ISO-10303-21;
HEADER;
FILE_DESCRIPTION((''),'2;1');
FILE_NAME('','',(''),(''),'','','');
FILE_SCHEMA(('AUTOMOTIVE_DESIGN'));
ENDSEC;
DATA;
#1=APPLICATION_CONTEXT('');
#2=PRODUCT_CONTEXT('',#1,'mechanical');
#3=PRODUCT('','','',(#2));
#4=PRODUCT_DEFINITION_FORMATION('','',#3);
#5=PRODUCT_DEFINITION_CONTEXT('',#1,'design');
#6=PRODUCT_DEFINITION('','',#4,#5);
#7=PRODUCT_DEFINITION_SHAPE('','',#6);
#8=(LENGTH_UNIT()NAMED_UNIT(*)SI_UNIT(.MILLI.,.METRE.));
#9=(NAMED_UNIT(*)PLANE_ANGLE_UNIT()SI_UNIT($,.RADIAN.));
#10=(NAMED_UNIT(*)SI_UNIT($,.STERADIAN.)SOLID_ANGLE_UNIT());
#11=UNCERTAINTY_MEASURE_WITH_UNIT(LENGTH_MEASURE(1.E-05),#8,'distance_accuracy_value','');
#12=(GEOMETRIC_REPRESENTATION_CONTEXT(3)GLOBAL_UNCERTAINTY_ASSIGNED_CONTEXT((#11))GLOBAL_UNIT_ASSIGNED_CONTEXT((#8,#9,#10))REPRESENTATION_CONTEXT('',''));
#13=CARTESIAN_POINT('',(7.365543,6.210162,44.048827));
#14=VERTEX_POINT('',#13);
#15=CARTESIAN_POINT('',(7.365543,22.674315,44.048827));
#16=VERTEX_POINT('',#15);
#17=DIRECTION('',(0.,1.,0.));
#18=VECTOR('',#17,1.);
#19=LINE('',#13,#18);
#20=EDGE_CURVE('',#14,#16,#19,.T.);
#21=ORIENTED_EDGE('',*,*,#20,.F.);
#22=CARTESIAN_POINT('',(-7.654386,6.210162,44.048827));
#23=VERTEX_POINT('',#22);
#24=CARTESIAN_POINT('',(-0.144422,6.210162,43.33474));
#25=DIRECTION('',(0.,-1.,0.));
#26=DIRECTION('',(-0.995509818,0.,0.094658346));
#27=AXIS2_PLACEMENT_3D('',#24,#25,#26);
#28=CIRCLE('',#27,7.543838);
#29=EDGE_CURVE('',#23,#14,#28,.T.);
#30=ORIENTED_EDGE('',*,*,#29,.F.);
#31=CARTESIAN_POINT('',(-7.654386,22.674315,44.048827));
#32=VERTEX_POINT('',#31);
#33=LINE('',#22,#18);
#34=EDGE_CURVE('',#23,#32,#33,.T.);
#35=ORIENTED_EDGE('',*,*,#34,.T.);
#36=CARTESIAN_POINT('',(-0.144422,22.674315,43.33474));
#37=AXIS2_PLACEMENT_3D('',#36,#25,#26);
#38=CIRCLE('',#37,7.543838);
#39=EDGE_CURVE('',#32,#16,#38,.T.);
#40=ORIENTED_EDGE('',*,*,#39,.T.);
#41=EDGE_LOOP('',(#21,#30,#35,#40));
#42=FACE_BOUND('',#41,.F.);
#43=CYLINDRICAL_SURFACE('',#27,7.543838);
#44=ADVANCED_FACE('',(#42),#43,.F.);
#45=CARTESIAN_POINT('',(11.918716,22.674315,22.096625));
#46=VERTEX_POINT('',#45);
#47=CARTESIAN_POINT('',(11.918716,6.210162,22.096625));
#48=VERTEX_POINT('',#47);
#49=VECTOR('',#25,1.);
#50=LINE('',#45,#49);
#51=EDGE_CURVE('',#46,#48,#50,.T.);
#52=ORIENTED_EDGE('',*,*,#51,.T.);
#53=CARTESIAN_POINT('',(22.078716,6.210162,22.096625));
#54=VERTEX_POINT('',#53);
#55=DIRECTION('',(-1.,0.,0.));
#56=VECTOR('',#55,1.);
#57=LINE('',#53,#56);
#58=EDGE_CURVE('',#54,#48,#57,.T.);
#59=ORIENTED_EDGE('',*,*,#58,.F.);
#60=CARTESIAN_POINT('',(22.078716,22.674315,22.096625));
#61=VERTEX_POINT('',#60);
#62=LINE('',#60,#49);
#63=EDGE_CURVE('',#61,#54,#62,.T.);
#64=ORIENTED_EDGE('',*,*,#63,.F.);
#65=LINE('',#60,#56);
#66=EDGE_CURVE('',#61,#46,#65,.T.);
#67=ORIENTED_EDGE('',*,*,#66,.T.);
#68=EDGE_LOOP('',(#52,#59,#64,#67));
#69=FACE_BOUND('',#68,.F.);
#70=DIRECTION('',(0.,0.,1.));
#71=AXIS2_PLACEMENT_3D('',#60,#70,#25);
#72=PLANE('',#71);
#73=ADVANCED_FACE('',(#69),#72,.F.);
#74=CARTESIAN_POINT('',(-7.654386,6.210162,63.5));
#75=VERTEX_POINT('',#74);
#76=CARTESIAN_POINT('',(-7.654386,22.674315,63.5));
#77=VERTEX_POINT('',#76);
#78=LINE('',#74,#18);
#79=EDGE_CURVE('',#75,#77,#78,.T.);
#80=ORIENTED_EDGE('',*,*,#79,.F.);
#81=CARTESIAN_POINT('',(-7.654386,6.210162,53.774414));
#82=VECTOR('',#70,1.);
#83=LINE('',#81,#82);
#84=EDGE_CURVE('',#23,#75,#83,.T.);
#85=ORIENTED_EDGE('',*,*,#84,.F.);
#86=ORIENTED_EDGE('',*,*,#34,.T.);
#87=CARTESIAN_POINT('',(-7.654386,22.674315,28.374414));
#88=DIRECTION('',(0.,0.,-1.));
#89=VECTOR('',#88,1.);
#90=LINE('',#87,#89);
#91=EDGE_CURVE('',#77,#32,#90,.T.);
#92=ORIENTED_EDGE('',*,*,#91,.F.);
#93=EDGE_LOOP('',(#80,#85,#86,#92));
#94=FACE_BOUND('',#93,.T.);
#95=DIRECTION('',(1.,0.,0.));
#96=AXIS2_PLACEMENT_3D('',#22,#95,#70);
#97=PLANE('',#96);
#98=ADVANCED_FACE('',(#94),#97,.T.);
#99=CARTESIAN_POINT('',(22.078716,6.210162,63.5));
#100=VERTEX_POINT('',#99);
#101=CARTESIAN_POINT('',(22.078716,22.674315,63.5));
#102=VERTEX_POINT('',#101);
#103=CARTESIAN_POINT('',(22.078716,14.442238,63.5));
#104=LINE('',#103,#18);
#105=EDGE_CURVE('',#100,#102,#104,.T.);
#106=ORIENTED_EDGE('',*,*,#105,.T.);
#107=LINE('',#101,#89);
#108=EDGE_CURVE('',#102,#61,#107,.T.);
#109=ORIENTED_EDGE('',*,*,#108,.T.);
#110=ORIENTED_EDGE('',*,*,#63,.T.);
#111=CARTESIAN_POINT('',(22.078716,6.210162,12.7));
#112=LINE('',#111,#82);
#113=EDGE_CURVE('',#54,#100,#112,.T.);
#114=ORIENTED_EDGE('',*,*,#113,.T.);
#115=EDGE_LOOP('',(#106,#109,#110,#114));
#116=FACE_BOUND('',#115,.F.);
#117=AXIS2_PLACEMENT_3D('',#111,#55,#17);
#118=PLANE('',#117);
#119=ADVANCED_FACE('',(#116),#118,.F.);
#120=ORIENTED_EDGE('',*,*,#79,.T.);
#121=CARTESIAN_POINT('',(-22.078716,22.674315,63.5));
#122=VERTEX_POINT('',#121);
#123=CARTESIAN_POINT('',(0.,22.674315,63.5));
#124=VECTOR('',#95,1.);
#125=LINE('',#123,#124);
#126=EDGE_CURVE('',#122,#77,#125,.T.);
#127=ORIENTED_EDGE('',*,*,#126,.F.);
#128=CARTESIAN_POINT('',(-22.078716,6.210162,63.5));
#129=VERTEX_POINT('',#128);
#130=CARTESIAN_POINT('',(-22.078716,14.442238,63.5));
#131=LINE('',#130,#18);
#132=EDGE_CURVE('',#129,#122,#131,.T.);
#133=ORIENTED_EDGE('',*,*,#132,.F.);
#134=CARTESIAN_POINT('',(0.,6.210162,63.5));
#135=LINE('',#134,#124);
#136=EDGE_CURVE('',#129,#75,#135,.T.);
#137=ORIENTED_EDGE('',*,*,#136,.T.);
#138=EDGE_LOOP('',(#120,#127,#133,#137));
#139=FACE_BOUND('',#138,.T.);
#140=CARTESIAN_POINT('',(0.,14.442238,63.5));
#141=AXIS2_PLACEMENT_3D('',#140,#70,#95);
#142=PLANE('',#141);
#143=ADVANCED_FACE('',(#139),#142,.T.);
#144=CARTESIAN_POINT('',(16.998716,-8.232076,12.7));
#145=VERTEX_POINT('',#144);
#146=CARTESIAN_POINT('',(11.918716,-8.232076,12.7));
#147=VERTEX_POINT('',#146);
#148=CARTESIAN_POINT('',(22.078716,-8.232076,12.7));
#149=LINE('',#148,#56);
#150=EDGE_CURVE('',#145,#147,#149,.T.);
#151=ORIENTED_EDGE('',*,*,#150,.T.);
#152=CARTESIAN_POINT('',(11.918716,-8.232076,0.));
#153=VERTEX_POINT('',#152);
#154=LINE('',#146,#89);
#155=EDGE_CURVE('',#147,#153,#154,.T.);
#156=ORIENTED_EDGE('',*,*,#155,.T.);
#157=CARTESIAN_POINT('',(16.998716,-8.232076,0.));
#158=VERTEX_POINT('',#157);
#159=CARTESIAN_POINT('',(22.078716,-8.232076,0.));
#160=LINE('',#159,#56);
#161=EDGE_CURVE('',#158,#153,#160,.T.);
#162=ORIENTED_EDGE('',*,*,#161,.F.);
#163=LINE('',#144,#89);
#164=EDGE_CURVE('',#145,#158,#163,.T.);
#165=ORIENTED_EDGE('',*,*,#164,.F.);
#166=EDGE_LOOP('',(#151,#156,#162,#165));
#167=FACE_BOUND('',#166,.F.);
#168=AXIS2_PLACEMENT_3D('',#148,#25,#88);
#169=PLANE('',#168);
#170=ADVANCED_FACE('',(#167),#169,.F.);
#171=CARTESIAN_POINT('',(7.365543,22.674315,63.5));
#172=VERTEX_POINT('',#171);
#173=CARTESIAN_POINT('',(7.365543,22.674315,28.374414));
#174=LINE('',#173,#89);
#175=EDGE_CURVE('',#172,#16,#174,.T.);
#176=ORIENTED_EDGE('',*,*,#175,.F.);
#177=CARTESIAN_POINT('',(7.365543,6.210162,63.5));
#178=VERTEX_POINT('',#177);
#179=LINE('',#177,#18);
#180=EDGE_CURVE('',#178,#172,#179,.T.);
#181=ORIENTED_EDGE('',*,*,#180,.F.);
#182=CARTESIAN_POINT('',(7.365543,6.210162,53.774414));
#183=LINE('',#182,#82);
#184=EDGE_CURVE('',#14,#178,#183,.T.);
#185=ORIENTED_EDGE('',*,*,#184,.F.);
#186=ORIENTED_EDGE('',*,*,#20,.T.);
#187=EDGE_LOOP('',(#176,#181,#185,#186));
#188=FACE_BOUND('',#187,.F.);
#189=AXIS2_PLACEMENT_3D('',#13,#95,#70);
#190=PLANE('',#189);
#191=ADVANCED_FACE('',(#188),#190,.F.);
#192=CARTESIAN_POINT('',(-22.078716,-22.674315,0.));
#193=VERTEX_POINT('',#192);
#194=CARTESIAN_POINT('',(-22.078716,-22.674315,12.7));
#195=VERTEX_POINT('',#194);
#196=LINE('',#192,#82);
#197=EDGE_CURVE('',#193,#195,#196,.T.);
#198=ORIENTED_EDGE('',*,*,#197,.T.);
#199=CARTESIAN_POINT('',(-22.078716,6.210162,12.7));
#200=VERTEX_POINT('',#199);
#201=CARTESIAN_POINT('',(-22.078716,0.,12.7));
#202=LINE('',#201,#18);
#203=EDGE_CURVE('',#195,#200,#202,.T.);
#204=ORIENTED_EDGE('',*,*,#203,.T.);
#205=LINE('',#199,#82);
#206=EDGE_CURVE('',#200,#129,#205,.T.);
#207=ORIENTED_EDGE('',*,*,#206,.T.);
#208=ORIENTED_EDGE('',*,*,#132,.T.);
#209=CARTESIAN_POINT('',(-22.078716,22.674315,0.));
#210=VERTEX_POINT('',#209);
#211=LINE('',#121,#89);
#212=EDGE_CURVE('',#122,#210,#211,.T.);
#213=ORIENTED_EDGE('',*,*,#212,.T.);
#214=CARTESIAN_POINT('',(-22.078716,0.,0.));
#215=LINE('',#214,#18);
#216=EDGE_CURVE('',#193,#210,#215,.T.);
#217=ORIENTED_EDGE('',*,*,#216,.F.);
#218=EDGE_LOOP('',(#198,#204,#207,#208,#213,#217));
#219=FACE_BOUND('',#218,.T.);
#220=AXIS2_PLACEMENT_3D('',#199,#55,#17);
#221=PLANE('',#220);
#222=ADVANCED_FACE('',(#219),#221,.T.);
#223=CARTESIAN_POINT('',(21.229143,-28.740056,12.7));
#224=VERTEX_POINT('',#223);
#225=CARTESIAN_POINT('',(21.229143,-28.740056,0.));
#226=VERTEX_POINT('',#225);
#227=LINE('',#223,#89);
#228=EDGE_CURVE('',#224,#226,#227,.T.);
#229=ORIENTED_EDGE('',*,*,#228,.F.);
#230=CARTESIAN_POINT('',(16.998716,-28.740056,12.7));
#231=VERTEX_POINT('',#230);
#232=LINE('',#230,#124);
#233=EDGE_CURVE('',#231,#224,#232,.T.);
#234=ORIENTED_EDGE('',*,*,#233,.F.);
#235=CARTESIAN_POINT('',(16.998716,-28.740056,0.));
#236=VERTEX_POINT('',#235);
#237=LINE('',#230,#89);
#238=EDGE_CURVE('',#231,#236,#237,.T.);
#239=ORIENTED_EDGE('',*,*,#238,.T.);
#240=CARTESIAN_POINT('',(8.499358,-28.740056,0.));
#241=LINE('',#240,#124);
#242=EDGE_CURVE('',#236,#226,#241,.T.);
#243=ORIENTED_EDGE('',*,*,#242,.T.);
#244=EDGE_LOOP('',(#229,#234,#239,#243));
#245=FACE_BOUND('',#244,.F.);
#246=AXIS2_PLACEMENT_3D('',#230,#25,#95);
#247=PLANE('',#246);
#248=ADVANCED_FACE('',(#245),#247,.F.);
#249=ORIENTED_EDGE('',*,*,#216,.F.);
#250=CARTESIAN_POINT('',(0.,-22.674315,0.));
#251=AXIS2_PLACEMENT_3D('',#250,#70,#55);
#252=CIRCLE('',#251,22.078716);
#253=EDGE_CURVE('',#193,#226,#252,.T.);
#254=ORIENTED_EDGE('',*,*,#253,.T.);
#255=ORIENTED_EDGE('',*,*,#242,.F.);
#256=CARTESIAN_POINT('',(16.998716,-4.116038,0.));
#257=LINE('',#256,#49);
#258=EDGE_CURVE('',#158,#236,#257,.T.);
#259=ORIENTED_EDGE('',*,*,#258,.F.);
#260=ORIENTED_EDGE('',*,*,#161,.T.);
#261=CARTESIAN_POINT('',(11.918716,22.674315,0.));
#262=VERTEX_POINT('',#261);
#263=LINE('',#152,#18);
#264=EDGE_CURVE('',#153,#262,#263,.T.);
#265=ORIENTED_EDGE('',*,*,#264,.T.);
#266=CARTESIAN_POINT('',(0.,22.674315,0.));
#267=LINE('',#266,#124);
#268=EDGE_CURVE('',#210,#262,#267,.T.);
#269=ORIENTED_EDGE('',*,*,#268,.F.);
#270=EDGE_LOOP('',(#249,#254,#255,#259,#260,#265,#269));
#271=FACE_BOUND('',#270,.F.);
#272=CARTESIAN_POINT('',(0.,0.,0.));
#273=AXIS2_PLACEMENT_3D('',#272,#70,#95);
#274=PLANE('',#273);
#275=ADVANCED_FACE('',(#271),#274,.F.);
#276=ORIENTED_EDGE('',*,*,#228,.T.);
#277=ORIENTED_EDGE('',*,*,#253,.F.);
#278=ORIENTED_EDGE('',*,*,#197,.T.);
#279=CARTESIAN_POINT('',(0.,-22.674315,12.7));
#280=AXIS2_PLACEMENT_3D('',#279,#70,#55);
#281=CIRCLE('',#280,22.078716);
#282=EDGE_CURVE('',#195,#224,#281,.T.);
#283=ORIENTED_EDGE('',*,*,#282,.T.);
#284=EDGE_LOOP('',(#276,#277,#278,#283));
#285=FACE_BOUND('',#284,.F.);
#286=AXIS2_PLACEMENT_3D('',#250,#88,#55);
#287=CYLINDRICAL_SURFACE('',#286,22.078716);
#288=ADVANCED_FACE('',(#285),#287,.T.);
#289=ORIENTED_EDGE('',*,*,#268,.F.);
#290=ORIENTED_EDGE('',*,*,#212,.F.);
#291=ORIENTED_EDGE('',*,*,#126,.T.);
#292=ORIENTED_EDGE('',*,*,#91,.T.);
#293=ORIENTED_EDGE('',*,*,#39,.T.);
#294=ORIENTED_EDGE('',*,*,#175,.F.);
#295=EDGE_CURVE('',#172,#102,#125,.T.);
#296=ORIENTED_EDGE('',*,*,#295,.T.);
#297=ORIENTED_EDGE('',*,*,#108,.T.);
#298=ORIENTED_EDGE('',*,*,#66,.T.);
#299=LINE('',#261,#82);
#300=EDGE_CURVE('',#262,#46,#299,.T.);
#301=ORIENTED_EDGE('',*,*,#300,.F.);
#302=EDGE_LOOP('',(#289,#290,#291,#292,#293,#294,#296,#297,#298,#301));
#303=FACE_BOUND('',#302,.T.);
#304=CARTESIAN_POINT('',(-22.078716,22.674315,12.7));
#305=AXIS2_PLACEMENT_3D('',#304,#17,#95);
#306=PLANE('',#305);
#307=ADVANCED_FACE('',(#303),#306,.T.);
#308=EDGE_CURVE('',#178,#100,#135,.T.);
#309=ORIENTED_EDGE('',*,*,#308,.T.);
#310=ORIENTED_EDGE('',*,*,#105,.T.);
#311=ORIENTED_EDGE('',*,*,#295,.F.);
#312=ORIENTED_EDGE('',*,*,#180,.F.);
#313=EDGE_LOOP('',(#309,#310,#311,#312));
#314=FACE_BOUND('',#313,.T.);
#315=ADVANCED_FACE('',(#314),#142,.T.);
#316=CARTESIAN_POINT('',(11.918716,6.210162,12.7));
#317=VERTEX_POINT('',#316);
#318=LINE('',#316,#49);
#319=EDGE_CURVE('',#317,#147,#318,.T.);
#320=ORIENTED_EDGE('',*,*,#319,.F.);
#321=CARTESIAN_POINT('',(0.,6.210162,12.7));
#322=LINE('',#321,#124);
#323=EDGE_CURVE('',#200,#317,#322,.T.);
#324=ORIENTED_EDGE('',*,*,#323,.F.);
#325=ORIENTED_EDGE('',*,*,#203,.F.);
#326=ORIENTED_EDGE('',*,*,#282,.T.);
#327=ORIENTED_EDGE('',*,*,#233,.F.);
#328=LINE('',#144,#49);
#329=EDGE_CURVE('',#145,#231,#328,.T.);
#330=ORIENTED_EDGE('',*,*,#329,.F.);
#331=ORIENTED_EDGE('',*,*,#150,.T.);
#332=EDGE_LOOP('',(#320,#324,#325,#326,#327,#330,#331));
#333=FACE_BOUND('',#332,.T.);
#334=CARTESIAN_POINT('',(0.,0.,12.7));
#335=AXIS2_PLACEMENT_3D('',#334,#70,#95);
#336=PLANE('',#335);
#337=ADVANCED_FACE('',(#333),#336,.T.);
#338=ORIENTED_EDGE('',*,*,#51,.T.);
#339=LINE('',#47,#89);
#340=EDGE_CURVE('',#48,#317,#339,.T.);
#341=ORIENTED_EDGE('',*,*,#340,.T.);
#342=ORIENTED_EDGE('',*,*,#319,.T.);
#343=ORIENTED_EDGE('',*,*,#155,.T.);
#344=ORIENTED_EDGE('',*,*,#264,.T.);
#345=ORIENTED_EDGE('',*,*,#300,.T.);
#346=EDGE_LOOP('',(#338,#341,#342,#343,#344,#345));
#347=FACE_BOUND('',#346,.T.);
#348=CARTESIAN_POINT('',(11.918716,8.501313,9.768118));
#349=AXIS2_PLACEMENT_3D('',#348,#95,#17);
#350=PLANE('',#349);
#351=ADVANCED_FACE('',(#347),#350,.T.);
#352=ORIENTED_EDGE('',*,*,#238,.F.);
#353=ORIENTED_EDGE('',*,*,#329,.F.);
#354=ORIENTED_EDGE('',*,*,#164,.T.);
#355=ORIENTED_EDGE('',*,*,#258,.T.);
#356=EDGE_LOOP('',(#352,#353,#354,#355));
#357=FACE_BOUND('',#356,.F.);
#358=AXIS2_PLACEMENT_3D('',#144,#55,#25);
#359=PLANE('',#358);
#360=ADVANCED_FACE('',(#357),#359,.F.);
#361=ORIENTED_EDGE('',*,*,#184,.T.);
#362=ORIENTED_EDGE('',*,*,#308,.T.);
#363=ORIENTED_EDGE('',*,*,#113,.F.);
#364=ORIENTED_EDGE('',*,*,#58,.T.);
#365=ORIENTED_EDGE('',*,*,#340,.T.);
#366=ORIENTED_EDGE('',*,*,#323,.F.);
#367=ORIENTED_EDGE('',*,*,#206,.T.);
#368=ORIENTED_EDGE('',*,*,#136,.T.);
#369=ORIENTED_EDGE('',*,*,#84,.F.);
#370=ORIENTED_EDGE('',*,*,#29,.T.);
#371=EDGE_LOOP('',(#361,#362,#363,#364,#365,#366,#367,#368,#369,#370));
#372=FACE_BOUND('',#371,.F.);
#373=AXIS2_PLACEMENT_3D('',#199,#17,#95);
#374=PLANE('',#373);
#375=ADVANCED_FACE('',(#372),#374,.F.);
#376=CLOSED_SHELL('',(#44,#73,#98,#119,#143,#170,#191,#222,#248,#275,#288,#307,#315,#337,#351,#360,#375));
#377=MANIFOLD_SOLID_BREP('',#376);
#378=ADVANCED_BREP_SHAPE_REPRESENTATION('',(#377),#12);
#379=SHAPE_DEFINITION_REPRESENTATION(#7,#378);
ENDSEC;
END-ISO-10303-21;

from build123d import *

# Parameters (mm, degrees)
F0_W      = 44.1574328202
F0_H      = 45.3486293554
F1_DEPTH  = 25.4
F2_DEPTH  = 12.7
F3_W      = 44.1574328202
F3_H      = 16.4641523734
F4_DEPTH  = 50.8
F5_W      = 15.0199290365
F5_H      = 19.4511728585
F6_DEPTH  = 50.8
F8_DEPTH  = 10.16
F10_DEPTH = 50.8


with BuildPart() as f1:
    # F0 (on Top) → F1 (new body)
    with BuildSketch(Plane.XY):
        Rectangle(F0_W, F0_H)
        with BuildLine():
            Line((22.0787164101, -22.6743146777), (-22.0787164101, -22.6743146777))
            ThreePointArc((-22.0787164101, -22.6743146777), (0, -44.7530310878), (22.0787164101, -22.6743146777))
        make_face()
    extrude(amount=F1_DEPTH)

    # F2 (cut): a face of the model
    f2_faces = [f1.faces().sort_by_distance(p)[0] for p in [
        (0, -8.8639771544, 25.4),
    ]]
    extrude(f2_faces, amount=-F2_DEPTH, mode=Mode.SUBTRACT)

    # F3 (on face) → F4 (join)
    with BuildSketch(Plane.XY.offset(12.7)):
        with Locations((0, 14.442238491)):
            Rectangle(F3_W, F3_H)
    extrude(amount=F4_DEPTH)

    # F5 (on face) → F6 (cut)
    with BuildSketch(Plane.XZ.offset(-6.2101623043)):
        with Locations((-0.1444215886, 53.7744135708)):
            Rectangle(F5_W, F5_H)
        with BuildLine():
            Line((7.3655429296, 44.0488271415), (-7.6543861069, 44.0488271415))
            ThreePointArc((-7.6543861069, 44.0488271415), (-0.1444215886, 35.7909022145), (7.3655429296, 44.0488271415))
        make_face()
    extrude(amount=-F6_DEPTH, mode=Mode.SUBTRACT)

    # F7 (on face) → F8 (cut)
    with BuildSketch(Plane.YZ.offset(22.0787164101)):
        Polygon((-8.2320761867, 0), (22.6743146777, 0), (22.6743146777, 22.0966245979), (6.2101623043, 22.0966245979), (6.2101623043, 12.7), (-8.2320761867, 12.7), align=None)
    extrude(amount=-F8_DEPTH, mode=Mode.SUBTRACT)

    # F9 (on face) → F10 (cut)
    with BuildSketch(Plane.XY.offset(12.7)):
        with BuildLine():
            Line((22.0787164101, -8.2320761867), (16.9987164101, -8.2320761867))
            Line((16.9987164101, -8.2320761867), (16.9987164101, -28.7400558591))
            Line((16.9987164101, -28.7400558591), (21.229142758, -28.7400558591))
            ThreePointArc((21.229142758, -28.7400558591), (21.8652914559, -25.7367888192), (22.0787164101, -22.6743146777))
            Line((22.0787164101, -22.6743146777), (22.0787164101, -8.2320761867))
        make_face()
    extrude(amount=-F10_DEPTH, mode=Mode.SUBTRACT)


solid = f1.part
